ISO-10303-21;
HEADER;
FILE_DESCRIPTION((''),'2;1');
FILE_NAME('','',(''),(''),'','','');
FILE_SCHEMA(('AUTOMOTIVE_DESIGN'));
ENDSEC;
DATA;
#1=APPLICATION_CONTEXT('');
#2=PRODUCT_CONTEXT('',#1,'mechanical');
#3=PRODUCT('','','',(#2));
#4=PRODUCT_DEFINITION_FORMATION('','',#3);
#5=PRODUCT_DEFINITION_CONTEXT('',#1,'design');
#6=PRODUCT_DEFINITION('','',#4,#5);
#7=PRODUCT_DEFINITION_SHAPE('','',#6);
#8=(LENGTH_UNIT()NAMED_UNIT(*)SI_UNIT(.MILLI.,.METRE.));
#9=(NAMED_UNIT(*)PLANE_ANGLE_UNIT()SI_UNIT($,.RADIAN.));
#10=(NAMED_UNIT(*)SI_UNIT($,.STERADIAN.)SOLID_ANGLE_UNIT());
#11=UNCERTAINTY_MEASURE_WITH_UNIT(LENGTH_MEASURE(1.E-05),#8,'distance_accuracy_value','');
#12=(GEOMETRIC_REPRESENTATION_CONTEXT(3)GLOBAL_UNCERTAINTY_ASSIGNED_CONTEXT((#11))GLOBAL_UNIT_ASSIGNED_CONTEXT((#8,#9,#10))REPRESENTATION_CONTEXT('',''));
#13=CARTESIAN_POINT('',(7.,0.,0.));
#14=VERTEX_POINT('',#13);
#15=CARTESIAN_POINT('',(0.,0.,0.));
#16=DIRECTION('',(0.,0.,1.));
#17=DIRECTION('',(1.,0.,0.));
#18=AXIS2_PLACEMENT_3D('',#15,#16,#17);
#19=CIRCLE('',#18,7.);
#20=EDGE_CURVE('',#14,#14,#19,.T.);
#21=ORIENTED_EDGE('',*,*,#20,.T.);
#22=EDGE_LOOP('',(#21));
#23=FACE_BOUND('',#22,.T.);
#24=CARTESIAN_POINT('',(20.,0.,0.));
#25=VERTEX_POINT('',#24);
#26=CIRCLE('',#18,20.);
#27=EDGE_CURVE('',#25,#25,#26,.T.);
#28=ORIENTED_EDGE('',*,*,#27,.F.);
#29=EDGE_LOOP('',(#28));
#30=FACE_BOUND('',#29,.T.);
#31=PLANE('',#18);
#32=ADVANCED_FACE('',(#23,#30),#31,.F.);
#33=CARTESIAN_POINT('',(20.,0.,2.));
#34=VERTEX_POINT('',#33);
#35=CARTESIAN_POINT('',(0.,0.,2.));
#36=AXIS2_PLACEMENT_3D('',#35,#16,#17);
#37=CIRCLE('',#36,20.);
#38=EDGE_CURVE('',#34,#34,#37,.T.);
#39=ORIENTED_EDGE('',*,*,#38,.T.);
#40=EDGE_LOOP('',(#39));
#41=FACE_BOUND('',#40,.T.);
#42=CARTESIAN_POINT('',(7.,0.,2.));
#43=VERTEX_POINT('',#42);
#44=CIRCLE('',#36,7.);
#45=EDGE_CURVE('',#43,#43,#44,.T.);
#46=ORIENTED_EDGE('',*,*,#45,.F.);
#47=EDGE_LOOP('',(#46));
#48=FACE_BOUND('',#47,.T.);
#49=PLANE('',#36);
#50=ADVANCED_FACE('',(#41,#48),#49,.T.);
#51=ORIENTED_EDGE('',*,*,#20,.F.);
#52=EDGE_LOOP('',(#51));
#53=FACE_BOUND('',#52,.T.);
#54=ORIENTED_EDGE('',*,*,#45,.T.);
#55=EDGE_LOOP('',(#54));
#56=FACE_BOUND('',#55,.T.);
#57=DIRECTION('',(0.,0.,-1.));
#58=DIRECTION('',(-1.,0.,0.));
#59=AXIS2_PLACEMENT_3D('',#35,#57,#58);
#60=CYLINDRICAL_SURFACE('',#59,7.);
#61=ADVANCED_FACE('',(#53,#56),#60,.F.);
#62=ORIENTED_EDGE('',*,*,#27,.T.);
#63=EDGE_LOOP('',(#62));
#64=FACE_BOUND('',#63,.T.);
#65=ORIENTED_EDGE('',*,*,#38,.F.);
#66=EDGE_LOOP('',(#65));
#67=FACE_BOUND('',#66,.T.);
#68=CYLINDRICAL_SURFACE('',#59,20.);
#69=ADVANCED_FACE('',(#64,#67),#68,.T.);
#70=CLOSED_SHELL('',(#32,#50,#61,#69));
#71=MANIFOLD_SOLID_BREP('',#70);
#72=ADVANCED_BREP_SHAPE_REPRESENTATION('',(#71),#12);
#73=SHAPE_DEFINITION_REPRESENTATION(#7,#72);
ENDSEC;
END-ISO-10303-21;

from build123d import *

# Parameters (mm, degrees)
SKETCH_1_R      = 20
SKETCH_1_R_2    = 7
EXTRUDE_1_DEPTH = 2


with BuildPart() as part:
    # Эскиз1 → Вытянуть1 (new body)
    with BuildSketch(Plane.XY):
        Circle(SKETCH_1_R)
        Circle(SKETCH_1_R_2, mode=Mode.SUBTRACT)
    extrude(amount=EXTRUDE_1_DEPTH)


solid = part.part
